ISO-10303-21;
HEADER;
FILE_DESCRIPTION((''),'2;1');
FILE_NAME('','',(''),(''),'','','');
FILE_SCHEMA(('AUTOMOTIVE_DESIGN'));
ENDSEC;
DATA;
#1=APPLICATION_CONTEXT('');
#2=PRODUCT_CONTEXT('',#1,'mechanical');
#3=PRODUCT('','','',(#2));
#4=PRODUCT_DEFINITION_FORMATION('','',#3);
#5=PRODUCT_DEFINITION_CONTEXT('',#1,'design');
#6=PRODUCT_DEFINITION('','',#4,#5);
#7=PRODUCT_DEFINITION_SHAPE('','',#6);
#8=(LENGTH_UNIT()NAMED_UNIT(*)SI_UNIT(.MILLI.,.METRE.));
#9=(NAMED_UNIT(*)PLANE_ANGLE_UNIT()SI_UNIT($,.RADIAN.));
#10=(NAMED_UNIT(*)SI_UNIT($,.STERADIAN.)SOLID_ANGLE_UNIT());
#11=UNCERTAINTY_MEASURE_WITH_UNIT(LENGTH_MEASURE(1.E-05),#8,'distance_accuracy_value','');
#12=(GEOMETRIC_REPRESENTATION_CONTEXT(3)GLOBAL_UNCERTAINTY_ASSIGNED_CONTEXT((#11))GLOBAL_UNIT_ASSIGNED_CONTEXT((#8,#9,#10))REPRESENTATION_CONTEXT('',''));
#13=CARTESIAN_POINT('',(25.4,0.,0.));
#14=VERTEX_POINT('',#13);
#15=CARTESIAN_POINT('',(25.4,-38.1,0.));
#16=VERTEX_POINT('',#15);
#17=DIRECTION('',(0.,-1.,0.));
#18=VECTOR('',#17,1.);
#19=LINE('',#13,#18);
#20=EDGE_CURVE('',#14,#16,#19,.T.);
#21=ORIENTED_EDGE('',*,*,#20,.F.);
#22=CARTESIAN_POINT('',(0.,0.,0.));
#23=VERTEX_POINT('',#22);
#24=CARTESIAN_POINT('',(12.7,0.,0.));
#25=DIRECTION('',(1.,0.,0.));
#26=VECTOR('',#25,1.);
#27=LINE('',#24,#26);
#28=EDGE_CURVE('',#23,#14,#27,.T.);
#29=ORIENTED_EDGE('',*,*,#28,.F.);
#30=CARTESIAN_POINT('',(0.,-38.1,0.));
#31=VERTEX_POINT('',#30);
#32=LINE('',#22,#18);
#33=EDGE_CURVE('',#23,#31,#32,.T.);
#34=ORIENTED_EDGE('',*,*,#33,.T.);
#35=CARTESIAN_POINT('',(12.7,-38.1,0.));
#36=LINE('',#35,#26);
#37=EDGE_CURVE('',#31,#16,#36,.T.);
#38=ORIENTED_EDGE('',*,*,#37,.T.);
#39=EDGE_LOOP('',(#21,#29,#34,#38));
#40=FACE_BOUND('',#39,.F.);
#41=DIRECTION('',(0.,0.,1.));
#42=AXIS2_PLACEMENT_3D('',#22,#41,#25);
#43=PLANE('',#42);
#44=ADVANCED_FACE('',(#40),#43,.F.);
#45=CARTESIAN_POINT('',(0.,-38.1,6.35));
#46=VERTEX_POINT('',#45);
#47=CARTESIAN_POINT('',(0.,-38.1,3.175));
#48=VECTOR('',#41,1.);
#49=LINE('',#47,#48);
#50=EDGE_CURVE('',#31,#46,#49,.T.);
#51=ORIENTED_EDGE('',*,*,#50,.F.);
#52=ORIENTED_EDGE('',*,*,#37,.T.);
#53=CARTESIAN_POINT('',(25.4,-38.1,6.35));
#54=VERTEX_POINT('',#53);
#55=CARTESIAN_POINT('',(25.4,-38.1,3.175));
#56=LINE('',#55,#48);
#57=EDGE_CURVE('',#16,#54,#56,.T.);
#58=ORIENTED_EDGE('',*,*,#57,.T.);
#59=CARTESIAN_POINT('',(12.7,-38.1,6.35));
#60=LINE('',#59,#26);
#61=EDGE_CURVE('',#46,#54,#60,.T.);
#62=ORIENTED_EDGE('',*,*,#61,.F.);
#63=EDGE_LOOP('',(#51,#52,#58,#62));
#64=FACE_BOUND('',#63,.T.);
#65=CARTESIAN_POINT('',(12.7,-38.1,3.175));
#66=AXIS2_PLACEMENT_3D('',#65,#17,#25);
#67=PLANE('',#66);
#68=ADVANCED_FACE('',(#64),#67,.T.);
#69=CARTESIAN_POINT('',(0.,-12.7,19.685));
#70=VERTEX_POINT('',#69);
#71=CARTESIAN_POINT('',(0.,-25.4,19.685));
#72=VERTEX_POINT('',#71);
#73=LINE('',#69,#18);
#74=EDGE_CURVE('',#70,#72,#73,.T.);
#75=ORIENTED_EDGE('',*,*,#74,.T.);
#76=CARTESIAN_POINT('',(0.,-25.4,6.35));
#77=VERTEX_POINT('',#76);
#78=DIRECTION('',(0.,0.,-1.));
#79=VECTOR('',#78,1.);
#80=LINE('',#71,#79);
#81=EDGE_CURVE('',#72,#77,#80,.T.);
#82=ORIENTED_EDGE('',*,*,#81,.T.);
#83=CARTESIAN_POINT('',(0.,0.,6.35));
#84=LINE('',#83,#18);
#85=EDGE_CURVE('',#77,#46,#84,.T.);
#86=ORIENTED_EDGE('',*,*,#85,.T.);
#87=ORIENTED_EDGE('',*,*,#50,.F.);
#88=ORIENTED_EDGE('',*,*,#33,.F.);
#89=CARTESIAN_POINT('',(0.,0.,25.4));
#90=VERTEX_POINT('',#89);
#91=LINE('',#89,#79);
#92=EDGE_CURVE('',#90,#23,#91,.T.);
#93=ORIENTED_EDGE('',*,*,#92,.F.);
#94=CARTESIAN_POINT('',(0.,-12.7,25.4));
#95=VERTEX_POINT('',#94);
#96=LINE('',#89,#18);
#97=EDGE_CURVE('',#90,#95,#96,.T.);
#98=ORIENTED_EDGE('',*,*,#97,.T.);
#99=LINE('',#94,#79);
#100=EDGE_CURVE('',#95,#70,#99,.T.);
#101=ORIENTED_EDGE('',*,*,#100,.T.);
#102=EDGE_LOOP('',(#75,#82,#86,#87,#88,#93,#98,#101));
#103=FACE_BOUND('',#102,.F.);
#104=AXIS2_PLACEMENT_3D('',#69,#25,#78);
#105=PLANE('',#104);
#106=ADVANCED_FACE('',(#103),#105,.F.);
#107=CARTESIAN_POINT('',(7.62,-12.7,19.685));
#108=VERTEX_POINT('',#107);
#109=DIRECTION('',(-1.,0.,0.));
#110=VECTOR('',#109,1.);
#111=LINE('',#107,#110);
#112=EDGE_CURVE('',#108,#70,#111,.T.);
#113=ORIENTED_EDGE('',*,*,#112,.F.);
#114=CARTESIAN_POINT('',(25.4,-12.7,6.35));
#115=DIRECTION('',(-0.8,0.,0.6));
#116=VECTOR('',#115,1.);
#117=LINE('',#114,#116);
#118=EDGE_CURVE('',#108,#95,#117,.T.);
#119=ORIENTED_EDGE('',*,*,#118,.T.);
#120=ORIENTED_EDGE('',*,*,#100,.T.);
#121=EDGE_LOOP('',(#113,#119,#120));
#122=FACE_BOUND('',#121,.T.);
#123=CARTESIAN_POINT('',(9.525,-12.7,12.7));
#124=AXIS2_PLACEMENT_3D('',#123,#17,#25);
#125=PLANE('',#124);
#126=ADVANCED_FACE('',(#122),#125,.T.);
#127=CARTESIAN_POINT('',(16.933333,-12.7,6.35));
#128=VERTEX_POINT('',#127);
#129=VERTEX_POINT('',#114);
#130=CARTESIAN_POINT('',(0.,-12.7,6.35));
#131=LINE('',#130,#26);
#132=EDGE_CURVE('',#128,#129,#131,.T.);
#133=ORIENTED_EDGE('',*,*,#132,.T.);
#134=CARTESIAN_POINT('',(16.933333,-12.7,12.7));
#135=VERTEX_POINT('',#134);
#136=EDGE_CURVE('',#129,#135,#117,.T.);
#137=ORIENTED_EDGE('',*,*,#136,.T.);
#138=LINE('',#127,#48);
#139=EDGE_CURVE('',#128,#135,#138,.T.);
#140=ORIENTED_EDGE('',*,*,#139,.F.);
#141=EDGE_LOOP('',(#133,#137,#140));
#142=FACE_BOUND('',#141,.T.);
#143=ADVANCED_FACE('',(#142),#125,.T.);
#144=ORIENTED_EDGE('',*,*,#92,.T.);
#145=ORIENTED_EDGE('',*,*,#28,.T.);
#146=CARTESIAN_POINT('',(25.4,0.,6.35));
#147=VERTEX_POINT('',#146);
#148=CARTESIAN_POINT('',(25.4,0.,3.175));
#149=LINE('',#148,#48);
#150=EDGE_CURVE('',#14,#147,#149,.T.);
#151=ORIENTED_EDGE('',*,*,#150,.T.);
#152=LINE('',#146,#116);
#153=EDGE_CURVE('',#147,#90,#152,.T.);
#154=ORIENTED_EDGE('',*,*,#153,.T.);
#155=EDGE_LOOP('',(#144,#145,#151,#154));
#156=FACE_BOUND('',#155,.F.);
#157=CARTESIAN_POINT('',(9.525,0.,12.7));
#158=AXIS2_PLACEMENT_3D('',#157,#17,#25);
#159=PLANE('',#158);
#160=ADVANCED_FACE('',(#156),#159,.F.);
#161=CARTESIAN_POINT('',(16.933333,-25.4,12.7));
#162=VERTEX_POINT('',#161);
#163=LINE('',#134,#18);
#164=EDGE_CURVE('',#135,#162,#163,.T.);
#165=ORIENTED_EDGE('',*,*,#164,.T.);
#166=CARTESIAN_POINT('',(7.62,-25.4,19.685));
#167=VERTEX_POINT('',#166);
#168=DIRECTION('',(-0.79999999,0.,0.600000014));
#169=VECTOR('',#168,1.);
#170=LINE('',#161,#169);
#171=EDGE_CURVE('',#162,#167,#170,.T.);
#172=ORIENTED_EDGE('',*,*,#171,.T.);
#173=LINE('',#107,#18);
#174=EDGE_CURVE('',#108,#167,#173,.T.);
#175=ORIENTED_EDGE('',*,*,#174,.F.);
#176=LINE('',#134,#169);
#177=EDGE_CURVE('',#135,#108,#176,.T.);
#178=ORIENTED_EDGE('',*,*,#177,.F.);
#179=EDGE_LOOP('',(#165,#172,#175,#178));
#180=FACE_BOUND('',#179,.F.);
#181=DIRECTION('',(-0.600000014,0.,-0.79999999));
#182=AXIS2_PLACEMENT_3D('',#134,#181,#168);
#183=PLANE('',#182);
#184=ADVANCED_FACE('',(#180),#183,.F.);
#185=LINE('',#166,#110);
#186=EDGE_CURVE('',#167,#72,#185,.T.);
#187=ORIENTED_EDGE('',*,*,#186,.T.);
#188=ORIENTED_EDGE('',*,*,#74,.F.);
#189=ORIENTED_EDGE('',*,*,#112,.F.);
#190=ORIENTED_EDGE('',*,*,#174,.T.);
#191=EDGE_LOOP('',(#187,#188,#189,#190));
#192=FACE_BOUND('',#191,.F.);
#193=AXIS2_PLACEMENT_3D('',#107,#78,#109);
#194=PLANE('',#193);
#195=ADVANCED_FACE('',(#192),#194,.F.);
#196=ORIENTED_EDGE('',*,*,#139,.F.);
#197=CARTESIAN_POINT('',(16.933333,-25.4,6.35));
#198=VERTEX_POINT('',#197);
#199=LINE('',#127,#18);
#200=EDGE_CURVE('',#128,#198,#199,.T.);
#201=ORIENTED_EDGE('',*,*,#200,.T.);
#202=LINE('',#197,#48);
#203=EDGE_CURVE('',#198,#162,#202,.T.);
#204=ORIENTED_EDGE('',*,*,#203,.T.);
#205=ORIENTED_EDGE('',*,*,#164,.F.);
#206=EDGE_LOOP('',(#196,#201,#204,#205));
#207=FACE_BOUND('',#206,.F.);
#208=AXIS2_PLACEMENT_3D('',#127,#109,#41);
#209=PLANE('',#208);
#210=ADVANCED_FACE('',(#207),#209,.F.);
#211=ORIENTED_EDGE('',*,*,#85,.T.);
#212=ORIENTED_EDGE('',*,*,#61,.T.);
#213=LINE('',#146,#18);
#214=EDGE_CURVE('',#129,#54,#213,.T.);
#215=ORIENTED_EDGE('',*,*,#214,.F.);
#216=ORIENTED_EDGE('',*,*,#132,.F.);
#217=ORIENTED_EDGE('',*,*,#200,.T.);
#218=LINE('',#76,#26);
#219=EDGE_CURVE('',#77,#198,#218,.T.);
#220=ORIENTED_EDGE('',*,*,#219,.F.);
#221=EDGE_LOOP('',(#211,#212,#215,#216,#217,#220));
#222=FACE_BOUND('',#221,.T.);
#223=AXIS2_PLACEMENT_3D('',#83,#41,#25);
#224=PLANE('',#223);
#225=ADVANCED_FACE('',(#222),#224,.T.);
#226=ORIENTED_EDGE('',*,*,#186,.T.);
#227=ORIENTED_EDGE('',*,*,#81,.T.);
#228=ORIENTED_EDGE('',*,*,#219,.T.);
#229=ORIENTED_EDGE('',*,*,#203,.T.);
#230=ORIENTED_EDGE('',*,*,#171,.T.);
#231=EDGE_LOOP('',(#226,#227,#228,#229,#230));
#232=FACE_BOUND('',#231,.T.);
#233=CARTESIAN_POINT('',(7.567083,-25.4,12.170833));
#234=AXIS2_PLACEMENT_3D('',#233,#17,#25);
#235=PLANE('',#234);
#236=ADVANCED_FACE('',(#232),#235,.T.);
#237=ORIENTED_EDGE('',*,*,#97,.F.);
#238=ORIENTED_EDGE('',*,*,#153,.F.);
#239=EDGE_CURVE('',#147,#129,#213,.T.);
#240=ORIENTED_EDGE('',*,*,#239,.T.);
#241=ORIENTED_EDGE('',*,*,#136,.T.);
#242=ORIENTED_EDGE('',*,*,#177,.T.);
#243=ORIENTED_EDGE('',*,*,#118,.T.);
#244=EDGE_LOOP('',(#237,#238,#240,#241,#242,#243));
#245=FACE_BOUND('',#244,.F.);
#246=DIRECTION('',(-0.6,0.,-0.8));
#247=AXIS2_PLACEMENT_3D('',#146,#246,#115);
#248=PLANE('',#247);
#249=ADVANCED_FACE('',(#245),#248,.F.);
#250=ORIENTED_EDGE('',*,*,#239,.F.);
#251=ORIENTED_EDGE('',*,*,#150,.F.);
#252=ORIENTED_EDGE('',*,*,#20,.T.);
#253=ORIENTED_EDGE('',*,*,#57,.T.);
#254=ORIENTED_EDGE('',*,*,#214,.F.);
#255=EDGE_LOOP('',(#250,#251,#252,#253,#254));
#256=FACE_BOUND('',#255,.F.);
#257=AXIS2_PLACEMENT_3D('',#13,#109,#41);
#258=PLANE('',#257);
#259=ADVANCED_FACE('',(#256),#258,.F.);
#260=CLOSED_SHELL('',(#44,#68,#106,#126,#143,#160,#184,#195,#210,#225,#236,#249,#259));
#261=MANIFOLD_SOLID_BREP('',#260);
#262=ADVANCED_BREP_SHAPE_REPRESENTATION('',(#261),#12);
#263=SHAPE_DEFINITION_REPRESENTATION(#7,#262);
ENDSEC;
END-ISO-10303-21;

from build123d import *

# Parameters (mm, degrees)
F0_W     = 25.4
F0_H     = 6.35
F1_DEPTH = 38.1
F3_DEPTH = 12.7
F5_DEPTH = 12.7


with BuildPart() as f1:
    # F0 (on Front) → F1 (new body)
    with BuildSketch(Plane.XZ):
        with Locations((12.7, 3.175)):
            Rectangle(F0_W, F0_H)
    extrude(amount=F1_DEPTH)

    # F2 (on Front) → F3 (join)
    with BuildSketch(Plane.XZ):
        Polygon((0, 25.4), (0, 6.35), (25.4, 6.35), align=None)
    extrude(amount=F3_DEPTH)

    # F4 (on face) → F5 (join)
    with BuildSketch(Plane.XZ.offset(12.7)):
        Polygon((0, 19.685), (0, 6.35), (16.933333, 6.35), (16.933333, 12.7), (7.62, 19.685), align=None)
    extrude(amount=F5_DEPTH)


solid = f1.part
